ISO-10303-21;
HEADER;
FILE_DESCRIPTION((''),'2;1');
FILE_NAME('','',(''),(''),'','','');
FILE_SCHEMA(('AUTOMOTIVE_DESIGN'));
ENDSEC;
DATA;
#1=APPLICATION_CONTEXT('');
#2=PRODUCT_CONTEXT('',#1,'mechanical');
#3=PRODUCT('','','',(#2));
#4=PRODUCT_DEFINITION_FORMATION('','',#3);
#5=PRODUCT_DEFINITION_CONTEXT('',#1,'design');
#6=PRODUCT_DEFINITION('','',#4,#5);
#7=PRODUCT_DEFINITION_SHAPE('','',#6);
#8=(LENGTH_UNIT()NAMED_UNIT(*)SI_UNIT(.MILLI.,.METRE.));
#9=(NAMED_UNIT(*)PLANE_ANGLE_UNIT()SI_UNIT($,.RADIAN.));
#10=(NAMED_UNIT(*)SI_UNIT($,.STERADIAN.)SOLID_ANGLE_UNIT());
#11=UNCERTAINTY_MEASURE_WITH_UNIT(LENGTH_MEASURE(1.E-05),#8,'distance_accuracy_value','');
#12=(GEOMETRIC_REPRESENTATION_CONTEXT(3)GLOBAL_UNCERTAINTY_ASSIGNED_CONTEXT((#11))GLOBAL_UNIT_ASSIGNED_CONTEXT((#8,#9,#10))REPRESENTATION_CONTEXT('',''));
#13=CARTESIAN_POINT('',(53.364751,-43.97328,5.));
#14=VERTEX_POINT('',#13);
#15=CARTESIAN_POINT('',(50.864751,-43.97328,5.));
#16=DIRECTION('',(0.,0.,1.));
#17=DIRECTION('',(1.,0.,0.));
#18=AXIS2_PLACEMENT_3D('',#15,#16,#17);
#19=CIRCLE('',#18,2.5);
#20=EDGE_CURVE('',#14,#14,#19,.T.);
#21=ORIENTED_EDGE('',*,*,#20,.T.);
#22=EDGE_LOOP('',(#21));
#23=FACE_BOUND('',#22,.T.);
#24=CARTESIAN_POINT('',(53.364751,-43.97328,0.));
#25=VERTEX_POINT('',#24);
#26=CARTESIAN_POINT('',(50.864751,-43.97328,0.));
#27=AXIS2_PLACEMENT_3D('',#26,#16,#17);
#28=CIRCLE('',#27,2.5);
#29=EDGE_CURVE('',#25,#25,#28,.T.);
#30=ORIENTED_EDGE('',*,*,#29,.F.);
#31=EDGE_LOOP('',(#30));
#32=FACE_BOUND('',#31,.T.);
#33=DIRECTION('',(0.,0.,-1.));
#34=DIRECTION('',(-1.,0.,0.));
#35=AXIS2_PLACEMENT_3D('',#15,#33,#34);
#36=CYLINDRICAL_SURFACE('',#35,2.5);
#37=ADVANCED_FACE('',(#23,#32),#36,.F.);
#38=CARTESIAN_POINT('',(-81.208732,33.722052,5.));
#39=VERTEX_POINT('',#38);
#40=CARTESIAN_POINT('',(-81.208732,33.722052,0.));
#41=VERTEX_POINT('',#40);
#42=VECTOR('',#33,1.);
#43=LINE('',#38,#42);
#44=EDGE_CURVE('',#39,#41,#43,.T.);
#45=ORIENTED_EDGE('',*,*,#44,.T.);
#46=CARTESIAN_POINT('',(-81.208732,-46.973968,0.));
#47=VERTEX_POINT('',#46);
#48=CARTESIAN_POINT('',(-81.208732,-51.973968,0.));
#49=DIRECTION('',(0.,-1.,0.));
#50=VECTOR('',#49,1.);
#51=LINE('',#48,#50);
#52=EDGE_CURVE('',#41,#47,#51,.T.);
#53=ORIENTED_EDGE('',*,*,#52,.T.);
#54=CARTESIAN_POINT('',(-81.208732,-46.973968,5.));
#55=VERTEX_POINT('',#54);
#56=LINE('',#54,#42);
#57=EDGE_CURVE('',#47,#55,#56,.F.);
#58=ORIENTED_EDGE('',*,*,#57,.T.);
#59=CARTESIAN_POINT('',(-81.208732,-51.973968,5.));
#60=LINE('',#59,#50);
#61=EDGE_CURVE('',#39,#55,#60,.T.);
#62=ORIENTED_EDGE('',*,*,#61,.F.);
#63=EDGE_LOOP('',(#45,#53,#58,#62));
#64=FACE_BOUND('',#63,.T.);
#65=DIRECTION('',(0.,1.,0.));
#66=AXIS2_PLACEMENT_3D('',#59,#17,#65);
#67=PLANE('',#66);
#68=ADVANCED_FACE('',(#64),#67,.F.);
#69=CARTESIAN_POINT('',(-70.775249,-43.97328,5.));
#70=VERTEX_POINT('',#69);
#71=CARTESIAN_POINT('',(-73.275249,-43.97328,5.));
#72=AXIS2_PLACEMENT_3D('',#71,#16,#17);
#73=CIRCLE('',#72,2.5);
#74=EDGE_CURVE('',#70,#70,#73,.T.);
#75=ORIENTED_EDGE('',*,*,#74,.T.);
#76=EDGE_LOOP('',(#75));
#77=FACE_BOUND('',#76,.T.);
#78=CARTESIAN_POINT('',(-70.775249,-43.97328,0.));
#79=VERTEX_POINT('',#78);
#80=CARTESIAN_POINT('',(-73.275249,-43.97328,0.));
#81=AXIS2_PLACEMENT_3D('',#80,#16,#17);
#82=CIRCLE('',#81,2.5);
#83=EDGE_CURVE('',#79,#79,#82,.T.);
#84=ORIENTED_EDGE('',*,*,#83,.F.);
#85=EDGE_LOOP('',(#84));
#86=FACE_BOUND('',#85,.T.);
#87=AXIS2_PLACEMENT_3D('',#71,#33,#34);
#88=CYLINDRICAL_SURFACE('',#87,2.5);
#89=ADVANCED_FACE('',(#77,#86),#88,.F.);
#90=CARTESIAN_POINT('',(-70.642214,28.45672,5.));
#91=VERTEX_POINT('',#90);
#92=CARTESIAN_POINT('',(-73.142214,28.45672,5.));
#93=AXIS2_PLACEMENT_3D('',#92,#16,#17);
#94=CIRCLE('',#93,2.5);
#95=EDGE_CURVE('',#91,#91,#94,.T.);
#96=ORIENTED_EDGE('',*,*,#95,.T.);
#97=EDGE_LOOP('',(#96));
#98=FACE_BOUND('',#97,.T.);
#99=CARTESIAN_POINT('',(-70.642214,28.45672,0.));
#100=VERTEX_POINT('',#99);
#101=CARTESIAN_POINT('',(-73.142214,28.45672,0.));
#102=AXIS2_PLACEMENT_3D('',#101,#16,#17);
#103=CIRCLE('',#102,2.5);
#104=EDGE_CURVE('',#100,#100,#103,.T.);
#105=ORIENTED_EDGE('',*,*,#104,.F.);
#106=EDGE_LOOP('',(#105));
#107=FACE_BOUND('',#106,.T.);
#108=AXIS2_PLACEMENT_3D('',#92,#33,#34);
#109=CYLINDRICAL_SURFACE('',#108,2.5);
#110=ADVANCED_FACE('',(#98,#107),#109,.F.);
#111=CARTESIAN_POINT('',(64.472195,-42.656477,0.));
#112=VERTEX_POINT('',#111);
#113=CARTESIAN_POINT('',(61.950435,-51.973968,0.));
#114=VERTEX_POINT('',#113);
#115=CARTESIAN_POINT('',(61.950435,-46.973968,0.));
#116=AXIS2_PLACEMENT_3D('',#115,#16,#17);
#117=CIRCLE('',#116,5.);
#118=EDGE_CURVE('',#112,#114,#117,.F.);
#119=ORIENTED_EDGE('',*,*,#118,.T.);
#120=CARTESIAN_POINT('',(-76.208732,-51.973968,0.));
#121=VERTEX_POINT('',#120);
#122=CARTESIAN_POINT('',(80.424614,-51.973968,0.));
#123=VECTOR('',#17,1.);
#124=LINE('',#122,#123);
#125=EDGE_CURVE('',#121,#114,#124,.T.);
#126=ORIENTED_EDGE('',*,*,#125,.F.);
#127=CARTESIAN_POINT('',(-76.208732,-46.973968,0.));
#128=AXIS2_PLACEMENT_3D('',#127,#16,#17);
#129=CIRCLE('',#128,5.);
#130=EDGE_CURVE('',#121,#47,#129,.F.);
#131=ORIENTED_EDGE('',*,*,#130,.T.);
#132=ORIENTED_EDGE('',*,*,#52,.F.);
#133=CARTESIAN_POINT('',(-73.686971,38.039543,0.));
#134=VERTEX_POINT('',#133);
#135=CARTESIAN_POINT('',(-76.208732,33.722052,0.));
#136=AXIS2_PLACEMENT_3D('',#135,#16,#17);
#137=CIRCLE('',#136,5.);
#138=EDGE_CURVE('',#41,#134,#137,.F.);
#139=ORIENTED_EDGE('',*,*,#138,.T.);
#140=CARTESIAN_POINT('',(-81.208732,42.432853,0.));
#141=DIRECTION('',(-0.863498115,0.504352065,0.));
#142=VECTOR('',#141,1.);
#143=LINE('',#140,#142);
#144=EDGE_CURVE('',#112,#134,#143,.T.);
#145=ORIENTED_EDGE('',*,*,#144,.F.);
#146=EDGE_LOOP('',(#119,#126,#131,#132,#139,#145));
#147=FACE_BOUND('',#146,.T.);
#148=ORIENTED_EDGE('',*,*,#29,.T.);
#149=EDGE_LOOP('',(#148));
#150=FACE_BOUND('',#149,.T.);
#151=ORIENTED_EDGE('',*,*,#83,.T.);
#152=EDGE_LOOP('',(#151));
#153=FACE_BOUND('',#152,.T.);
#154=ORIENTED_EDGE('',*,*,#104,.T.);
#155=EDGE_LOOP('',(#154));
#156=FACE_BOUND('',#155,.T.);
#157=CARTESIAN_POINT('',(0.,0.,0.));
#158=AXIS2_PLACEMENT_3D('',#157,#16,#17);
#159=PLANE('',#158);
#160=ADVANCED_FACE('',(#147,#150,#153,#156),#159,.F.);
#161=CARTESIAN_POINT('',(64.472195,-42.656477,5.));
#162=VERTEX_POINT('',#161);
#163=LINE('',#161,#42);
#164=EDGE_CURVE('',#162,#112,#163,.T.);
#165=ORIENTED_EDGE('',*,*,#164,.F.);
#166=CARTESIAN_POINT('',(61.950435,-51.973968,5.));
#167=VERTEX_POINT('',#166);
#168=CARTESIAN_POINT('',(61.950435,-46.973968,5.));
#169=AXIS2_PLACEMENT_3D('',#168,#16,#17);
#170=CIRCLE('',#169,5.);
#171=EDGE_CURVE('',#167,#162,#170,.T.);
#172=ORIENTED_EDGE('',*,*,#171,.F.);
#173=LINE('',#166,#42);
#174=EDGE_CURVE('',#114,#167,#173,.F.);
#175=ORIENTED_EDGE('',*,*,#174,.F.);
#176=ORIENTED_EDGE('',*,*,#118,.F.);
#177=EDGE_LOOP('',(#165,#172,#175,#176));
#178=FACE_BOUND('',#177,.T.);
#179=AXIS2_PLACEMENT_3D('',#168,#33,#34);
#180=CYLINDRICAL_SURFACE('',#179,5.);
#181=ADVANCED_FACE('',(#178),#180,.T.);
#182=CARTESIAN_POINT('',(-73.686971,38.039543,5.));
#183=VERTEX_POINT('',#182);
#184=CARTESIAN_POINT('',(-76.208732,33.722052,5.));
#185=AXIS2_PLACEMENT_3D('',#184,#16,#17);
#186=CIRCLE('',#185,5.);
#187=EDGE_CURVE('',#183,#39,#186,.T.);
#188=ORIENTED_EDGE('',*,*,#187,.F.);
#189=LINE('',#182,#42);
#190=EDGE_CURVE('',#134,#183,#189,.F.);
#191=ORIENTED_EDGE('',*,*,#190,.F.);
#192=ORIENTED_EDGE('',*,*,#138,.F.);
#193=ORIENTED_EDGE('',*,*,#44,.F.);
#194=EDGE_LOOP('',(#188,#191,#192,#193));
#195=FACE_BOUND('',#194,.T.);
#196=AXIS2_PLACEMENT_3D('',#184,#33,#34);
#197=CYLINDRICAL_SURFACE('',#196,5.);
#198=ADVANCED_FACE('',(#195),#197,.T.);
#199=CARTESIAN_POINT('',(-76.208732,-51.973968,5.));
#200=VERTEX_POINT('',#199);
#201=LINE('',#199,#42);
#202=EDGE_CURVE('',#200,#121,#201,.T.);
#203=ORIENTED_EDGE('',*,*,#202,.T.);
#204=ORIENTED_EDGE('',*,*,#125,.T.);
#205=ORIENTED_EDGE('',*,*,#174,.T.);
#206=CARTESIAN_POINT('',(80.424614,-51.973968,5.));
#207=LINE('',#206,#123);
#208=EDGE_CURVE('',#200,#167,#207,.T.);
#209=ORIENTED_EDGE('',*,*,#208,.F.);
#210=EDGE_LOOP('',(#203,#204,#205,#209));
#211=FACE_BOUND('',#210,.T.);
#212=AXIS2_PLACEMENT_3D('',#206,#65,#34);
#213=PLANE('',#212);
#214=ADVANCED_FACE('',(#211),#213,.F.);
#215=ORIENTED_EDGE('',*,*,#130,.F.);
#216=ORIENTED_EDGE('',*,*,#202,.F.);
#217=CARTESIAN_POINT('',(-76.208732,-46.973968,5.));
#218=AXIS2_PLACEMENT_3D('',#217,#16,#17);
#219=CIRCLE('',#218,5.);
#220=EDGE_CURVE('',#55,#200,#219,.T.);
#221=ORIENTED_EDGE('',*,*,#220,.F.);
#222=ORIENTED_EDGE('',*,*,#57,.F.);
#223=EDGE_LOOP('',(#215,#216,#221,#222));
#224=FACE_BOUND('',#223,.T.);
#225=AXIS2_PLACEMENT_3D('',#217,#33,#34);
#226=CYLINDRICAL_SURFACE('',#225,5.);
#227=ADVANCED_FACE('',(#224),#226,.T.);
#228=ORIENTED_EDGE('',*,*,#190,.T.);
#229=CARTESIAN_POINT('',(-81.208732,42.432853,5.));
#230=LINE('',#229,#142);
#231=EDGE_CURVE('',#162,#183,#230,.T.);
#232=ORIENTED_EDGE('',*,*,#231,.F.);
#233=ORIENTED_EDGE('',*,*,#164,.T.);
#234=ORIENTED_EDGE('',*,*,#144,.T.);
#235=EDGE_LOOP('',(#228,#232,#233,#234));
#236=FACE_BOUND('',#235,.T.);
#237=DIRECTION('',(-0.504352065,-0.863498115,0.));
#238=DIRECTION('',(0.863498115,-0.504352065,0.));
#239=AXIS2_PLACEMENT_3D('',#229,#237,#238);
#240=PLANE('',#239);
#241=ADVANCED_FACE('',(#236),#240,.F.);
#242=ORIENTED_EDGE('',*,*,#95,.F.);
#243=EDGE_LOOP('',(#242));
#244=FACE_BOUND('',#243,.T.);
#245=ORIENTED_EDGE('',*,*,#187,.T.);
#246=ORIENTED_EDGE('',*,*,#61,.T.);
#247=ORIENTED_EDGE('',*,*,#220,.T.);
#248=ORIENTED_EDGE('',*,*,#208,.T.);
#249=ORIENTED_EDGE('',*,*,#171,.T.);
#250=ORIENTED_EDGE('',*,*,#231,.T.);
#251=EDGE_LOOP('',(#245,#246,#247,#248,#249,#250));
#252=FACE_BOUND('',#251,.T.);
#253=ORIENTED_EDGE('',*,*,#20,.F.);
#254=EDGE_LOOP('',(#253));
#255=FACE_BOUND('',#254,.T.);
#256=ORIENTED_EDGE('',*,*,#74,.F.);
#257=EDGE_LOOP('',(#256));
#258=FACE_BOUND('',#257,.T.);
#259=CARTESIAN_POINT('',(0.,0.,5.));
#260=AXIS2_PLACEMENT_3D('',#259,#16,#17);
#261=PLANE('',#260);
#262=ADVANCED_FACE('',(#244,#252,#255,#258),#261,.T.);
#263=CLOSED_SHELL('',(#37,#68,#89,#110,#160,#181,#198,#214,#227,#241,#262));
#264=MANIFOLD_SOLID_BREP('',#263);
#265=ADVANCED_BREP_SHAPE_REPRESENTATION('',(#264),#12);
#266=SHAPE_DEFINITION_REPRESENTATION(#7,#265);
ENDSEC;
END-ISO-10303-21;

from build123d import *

# Parameters (mm, degrees)
ESBO_O1_R                = 2.5
RESSALTO_EXTRUS_O1_DEPTH = 5
FILETE1_R                = 5


with BuildPart() as part:
    # Esboço1 → Ressalto-extrusão1 (new body)
    with BuildSketch(Plane.XY):
        Polygon((80.424614017, -51.973967516), (-81.208731643, -51.973967516), (-81.208731643, 42.432853022), align=None)
        with Locations((-73.142213803, 28.456719531)):
            Circle(ESBO_O1_R, mode=Mode.SUBTRACT)
        with Locations((50.864750517, -43.973280469)):
            Circle(ESBO_O1_R, mode=Mode.SUBTRACT)
        with Locations((-73.275249483, -43.973280469)):
            Circle(ESBO_O1_R, mode=Mode.SUBTRACT)
    extrude(amount=RESSALTO_EXTRUS_O1_DEPTH)

    # Filete1
    filete1_edges = [part.edges().sort_by_distance(p)[0] for p in [
        (-81.208731643, 42.432853022, 2.5),
        (80.424614017, -51.973967516, 2.5),
        (-81.208731643, -51.973967516, 2.5),
    ]]
    fillet(filete1_edges, radius=FILETE1_R)


solid = part.part
